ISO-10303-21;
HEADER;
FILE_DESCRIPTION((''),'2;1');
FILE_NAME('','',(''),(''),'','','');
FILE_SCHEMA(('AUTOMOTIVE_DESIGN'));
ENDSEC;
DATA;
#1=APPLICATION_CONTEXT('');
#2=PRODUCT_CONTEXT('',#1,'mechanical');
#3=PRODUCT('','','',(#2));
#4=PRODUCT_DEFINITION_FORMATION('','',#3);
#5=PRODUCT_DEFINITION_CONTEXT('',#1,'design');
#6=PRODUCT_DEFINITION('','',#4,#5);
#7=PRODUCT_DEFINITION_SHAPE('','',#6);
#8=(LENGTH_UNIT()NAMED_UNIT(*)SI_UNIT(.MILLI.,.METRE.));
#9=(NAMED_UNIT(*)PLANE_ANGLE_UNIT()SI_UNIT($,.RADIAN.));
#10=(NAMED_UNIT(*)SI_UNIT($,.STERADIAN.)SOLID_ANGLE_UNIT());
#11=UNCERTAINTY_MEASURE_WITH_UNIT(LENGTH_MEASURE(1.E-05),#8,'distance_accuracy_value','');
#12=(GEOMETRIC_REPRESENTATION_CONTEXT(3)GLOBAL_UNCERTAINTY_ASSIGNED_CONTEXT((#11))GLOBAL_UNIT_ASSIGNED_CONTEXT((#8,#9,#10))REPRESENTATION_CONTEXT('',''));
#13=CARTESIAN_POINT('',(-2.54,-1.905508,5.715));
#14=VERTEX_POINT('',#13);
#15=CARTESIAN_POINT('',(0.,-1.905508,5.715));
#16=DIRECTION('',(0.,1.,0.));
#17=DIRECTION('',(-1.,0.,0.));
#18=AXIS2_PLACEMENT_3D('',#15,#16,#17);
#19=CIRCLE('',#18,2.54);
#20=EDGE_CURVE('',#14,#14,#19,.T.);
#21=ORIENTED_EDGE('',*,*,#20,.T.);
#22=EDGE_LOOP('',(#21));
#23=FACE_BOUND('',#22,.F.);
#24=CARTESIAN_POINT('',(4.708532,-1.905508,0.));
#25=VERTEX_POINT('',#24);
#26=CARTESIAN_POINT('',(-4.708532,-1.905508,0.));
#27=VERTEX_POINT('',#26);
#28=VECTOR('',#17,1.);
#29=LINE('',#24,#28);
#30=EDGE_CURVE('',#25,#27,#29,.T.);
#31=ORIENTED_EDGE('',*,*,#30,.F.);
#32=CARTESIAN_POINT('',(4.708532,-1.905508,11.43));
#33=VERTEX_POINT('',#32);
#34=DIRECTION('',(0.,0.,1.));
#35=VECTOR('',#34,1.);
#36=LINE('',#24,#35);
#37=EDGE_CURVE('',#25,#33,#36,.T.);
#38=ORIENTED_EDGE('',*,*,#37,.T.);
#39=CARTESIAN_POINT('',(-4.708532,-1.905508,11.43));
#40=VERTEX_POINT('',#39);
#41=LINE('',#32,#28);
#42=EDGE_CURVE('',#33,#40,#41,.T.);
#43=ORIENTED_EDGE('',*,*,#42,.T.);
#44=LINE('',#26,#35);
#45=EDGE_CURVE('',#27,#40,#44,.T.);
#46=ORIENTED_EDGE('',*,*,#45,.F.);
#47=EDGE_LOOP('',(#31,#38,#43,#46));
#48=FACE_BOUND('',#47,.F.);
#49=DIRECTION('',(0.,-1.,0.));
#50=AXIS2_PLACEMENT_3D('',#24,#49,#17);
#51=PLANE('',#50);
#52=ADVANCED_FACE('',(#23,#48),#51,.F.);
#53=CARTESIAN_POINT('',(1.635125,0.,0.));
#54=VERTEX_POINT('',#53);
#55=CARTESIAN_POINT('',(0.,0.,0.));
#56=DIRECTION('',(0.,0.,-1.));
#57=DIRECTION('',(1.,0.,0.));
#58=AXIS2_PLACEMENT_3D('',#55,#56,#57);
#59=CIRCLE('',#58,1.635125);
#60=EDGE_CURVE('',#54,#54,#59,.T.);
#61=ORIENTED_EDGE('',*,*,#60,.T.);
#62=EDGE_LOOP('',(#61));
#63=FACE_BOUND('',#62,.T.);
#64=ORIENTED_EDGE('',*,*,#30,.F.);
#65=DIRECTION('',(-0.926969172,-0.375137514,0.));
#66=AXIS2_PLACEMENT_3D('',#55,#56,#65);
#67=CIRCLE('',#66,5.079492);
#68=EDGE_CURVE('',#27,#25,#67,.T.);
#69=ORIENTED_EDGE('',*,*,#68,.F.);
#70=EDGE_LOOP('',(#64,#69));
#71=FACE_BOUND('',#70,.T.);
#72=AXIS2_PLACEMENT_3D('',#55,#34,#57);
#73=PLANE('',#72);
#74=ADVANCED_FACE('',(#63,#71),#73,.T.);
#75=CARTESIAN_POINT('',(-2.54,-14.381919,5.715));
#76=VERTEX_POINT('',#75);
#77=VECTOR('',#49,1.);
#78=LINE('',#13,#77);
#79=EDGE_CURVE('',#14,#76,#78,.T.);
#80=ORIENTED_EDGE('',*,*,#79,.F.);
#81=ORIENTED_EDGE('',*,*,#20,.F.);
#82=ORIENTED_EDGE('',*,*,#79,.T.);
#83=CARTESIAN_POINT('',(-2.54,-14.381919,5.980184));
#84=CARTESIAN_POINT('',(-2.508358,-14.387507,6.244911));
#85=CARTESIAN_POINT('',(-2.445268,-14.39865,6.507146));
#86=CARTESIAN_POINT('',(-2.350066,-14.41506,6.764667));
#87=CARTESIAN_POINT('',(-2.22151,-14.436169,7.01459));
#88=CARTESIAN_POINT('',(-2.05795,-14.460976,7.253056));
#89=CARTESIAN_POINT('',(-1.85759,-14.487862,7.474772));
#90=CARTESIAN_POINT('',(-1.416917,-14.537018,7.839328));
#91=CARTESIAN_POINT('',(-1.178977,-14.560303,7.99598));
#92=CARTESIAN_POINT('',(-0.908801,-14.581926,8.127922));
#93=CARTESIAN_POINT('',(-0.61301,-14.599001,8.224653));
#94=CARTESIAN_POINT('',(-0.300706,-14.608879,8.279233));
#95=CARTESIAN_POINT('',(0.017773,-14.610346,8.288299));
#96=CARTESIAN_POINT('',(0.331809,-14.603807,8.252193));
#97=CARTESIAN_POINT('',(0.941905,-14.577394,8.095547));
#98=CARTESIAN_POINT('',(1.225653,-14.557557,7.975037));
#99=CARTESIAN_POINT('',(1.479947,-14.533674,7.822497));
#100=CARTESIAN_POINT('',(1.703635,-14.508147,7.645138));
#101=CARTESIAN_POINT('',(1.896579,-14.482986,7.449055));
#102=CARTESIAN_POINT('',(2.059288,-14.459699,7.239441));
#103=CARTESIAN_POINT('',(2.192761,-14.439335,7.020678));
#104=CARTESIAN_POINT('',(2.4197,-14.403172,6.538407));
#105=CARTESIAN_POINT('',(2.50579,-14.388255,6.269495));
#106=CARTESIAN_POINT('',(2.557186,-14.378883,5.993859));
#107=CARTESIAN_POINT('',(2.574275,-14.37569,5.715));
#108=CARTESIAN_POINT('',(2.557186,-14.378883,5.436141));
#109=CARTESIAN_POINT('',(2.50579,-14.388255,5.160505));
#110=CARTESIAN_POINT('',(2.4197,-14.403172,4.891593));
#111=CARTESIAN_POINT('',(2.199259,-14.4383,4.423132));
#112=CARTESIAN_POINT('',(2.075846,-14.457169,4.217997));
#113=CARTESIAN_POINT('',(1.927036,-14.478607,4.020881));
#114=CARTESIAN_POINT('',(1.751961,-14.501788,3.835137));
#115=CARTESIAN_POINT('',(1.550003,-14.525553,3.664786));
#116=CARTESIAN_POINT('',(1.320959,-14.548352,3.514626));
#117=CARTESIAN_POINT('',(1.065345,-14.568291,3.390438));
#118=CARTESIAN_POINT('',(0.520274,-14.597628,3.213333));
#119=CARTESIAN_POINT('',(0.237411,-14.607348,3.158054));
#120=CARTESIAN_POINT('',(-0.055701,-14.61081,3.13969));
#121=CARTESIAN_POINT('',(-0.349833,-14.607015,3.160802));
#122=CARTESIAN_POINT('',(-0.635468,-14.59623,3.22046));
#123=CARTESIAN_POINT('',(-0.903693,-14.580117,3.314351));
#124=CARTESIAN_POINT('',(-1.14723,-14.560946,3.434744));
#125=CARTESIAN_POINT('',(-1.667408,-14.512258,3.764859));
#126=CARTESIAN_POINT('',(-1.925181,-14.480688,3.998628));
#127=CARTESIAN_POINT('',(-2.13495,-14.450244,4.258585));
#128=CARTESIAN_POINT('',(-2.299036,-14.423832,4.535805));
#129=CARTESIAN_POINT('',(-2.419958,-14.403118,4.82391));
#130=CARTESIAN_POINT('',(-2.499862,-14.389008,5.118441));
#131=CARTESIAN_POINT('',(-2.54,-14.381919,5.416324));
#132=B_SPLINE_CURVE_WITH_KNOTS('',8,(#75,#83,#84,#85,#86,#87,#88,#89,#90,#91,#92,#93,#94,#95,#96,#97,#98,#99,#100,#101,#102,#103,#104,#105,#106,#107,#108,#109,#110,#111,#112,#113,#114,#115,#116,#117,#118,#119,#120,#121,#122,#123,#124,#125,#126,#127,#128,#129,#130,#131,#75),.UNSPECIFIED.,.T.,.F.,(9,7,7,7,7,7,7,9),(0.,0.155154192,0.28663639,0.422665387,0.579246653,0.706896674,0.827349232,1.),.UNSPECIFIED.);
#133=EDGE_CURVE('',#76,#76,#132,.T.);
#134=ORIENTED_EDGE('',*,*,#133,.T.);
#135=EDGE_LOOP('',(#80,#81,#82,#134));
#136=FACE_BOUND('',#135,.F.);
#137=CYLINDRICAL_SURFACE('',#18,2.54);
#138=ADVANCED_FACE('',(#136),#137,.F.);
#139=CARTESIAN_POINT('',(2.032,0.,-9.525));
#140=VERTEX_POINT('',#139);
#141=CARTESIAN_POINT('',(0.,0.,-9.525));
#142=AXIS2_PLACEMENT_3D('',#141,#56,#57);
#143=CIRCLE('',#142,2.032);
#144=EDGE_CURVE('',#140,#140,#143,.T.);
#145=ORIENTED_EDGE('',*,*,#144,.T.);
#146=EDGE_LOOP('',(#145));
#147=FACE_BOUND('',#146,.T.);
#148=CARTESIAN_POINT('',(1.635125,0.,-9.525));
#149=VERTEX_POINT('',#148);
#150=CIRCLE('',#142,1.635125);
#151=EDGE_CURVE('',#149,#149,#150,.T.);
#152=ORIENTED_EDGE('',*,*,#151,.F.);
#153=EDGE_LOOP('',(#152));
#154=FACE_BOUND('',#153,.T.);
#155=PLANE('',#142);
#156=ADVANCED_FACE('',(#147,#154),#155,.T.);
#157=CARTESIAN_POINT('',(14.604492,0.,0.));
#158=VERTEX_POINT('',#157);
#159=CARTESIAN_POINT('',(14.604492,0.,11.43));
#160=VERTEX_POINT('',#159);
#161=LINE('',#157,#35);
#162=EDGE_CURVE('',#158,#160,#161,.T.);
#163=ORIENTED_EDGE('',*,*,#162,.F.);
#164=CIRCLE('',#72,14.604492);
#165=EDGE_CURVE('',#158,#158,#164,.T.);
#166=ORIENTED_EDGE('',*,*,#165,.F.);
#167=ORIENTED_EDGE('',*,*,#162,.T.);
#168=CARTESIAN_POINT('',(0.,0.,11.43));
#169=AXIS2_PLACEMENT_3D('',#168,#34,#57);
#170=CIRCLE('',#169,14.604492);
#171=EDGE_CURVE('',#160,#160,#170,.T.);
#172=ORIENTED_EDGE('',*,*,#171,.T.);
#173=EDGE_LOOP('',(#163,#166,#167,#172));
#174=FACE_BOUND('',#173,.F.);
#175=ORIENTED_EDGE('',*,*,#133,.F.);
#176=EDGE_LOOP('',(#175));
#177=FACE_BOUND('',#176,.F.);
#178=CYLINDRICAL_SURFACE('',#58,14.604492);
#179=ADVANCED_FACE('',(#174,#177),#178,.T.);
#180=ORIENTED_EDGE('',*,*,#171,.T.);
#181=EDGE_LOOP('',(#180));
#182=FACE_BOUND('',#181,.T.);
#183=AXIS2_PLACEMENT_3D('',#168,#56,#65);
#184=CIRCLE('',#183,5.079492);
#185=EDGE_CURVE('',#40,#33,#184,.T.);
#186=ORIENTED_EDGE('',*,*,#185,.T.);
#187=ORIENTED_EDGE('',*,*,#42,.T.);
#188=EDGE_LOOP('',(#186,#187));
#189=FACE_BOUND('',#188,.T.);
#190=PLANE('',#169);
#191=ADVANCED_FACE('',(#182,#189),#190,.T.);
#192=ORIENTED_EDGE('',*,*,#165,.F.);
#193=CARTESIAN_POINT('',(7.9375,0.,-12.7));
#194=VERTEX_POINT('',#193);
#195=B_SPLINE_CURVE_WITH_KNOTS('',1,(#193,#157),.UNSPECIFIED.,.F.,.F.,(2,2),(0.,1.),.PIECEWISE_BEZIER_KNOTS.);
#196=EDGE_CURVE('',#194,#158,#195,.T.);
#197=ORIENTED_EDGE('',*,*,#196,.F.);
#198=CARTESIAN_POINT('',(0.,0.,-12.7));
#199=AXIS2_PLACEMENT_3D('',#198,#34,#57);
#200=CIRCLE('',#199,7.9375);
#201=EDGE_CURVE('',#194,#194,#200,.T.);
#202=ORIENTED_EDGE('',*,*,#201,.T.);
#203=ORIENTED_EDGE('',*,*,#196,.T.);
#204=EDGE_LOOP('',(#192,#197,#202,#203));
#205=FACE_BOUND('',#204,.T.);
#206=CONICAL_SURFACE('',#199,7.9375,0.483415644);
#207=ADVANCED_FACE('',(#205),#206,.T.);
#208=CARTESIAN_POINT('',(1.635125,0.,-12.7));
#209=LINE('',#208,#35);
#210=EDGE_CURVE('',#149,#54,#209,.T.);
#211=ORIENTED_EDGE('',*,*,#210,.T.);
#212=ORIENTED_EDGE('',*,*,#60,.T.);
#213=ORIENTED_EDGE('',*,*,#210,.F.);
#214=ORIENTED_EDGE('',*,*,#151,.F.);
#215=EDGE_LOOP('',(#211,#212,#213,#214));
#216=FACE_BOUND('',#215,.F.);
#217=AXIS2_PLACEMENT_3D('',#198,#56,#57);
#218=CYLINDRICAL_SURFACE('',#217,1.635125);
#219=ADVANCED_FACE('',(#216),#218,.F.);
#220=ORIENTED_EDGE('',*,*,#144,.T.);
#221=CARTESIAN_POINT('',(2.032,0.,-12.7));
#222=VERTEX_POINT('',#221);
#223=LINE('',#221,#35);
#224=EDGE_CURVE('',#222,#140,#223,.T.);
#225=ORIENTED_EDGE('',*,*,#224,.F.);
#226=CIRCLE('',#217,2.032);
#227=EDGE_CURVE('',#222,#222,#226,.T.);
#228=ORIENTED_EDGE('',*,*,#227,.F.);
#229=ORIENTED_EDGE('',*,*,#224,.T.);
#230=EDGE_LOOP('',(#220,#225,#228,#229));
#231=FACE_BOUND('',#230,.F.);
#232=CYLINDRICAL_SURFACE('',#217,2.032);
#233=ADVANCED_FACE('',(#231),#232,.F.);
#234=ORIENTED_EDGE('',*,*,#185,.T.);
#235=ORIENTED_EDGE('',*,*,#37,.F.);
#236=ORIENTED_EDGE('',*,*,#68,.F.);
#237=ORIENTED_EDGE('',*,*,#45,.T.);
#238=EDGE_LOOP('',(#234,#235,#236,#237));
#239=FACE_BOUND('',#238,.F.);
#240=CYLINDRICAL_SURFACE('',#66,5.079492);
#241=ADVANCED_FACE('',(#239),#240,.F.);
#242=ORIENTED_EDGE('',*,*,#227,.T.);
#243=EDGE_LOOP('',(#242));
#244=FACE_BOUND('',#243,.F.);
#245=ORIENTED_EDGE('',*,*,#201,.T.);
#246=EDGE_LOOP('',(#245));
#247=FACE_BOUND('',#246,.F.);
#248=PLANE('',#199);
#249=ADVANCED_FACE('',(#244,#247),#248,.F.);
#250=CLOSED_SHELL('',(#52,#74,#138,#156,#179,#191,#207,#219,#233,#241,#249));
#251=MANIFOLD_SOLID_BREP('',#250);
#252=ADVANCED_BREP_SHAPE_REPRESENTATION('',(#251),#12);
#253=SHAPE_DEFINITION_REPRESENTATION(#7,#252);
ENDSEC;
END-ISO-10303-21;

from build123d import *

# Parameters (mm, degrees)
F0_R      = 14.604492
F1_DEPTH  = 11.43
F2_R      = 2.54
F3_DEPTH  = 13.6989841001
F5_R      = 7.9375
F6_R      = 14.604492
F8_R      = 1.635125
F9_DEPTH  = 25.4
F8_R_2    = 2.032
F10_DEPTH = 3.175


with BuildPart() as f1:
    # F0 (on Top) → F1 (new body)
    with BuildSketch(Plane.XY):
        Circle(F0_R)
        with BuildLine():
            ThreePointArc((-4.7085324933, -1.905508), (0, 5.079492), (4.7085324933, -1.905508))
            Line((4.7085324933, -1.905508), (-4.7085324933, -1.905508))
        make_face(mode=Mode.SUBTRACT)
    extrude(amount=F1_DEPTH)

    # F2 (on face) → F3 (cut, up to face)
    with BuildSketch(Plane(origin=(0, -1.905508, 0), x_dir=(-1, 0, 0), z_dir=(0, 1, 0))):
        with Locations((0, 5.715)):
            Circle(F2_R)
    extrude(amount=-F3_DEPTH, mode=Mode.SUBTRACT)

    # F5 (on offset) → F7 section 0
    with BuildSketch(Plane.XY.offset(-12.7)):
        Circle(F5_R)
    # F6 (on Top) → F7 section 1
    with BuildSketch(Plane.XY):
        Circle(F6_R)
    loft()

    # F8 (on face) → F9 (cut)
    with BuildSketch(Plane(origin=(0, 0, -12.7), x_dir=(1, 0, 0), z_dir=(0, 0, -1))):
        Circle(F8_R)
    extrude(amount=-F9_DEPTH, mode=Mode.SUBTRACT)

    # F8 (on face) → F10 (cut)
    with BuildSketch(Plane(origin=(0, 0, -12.7), x_dir=(1, 0, 0), z_dir=(0, 0, -1))):
        Circle(F8_R_2)
        Circle(F8_R, mode=Mode.SUBTRACT)
    extrude(amount=-F10_DEPTH, mode=Mode.SUBTRACT)


solid = f1.part
